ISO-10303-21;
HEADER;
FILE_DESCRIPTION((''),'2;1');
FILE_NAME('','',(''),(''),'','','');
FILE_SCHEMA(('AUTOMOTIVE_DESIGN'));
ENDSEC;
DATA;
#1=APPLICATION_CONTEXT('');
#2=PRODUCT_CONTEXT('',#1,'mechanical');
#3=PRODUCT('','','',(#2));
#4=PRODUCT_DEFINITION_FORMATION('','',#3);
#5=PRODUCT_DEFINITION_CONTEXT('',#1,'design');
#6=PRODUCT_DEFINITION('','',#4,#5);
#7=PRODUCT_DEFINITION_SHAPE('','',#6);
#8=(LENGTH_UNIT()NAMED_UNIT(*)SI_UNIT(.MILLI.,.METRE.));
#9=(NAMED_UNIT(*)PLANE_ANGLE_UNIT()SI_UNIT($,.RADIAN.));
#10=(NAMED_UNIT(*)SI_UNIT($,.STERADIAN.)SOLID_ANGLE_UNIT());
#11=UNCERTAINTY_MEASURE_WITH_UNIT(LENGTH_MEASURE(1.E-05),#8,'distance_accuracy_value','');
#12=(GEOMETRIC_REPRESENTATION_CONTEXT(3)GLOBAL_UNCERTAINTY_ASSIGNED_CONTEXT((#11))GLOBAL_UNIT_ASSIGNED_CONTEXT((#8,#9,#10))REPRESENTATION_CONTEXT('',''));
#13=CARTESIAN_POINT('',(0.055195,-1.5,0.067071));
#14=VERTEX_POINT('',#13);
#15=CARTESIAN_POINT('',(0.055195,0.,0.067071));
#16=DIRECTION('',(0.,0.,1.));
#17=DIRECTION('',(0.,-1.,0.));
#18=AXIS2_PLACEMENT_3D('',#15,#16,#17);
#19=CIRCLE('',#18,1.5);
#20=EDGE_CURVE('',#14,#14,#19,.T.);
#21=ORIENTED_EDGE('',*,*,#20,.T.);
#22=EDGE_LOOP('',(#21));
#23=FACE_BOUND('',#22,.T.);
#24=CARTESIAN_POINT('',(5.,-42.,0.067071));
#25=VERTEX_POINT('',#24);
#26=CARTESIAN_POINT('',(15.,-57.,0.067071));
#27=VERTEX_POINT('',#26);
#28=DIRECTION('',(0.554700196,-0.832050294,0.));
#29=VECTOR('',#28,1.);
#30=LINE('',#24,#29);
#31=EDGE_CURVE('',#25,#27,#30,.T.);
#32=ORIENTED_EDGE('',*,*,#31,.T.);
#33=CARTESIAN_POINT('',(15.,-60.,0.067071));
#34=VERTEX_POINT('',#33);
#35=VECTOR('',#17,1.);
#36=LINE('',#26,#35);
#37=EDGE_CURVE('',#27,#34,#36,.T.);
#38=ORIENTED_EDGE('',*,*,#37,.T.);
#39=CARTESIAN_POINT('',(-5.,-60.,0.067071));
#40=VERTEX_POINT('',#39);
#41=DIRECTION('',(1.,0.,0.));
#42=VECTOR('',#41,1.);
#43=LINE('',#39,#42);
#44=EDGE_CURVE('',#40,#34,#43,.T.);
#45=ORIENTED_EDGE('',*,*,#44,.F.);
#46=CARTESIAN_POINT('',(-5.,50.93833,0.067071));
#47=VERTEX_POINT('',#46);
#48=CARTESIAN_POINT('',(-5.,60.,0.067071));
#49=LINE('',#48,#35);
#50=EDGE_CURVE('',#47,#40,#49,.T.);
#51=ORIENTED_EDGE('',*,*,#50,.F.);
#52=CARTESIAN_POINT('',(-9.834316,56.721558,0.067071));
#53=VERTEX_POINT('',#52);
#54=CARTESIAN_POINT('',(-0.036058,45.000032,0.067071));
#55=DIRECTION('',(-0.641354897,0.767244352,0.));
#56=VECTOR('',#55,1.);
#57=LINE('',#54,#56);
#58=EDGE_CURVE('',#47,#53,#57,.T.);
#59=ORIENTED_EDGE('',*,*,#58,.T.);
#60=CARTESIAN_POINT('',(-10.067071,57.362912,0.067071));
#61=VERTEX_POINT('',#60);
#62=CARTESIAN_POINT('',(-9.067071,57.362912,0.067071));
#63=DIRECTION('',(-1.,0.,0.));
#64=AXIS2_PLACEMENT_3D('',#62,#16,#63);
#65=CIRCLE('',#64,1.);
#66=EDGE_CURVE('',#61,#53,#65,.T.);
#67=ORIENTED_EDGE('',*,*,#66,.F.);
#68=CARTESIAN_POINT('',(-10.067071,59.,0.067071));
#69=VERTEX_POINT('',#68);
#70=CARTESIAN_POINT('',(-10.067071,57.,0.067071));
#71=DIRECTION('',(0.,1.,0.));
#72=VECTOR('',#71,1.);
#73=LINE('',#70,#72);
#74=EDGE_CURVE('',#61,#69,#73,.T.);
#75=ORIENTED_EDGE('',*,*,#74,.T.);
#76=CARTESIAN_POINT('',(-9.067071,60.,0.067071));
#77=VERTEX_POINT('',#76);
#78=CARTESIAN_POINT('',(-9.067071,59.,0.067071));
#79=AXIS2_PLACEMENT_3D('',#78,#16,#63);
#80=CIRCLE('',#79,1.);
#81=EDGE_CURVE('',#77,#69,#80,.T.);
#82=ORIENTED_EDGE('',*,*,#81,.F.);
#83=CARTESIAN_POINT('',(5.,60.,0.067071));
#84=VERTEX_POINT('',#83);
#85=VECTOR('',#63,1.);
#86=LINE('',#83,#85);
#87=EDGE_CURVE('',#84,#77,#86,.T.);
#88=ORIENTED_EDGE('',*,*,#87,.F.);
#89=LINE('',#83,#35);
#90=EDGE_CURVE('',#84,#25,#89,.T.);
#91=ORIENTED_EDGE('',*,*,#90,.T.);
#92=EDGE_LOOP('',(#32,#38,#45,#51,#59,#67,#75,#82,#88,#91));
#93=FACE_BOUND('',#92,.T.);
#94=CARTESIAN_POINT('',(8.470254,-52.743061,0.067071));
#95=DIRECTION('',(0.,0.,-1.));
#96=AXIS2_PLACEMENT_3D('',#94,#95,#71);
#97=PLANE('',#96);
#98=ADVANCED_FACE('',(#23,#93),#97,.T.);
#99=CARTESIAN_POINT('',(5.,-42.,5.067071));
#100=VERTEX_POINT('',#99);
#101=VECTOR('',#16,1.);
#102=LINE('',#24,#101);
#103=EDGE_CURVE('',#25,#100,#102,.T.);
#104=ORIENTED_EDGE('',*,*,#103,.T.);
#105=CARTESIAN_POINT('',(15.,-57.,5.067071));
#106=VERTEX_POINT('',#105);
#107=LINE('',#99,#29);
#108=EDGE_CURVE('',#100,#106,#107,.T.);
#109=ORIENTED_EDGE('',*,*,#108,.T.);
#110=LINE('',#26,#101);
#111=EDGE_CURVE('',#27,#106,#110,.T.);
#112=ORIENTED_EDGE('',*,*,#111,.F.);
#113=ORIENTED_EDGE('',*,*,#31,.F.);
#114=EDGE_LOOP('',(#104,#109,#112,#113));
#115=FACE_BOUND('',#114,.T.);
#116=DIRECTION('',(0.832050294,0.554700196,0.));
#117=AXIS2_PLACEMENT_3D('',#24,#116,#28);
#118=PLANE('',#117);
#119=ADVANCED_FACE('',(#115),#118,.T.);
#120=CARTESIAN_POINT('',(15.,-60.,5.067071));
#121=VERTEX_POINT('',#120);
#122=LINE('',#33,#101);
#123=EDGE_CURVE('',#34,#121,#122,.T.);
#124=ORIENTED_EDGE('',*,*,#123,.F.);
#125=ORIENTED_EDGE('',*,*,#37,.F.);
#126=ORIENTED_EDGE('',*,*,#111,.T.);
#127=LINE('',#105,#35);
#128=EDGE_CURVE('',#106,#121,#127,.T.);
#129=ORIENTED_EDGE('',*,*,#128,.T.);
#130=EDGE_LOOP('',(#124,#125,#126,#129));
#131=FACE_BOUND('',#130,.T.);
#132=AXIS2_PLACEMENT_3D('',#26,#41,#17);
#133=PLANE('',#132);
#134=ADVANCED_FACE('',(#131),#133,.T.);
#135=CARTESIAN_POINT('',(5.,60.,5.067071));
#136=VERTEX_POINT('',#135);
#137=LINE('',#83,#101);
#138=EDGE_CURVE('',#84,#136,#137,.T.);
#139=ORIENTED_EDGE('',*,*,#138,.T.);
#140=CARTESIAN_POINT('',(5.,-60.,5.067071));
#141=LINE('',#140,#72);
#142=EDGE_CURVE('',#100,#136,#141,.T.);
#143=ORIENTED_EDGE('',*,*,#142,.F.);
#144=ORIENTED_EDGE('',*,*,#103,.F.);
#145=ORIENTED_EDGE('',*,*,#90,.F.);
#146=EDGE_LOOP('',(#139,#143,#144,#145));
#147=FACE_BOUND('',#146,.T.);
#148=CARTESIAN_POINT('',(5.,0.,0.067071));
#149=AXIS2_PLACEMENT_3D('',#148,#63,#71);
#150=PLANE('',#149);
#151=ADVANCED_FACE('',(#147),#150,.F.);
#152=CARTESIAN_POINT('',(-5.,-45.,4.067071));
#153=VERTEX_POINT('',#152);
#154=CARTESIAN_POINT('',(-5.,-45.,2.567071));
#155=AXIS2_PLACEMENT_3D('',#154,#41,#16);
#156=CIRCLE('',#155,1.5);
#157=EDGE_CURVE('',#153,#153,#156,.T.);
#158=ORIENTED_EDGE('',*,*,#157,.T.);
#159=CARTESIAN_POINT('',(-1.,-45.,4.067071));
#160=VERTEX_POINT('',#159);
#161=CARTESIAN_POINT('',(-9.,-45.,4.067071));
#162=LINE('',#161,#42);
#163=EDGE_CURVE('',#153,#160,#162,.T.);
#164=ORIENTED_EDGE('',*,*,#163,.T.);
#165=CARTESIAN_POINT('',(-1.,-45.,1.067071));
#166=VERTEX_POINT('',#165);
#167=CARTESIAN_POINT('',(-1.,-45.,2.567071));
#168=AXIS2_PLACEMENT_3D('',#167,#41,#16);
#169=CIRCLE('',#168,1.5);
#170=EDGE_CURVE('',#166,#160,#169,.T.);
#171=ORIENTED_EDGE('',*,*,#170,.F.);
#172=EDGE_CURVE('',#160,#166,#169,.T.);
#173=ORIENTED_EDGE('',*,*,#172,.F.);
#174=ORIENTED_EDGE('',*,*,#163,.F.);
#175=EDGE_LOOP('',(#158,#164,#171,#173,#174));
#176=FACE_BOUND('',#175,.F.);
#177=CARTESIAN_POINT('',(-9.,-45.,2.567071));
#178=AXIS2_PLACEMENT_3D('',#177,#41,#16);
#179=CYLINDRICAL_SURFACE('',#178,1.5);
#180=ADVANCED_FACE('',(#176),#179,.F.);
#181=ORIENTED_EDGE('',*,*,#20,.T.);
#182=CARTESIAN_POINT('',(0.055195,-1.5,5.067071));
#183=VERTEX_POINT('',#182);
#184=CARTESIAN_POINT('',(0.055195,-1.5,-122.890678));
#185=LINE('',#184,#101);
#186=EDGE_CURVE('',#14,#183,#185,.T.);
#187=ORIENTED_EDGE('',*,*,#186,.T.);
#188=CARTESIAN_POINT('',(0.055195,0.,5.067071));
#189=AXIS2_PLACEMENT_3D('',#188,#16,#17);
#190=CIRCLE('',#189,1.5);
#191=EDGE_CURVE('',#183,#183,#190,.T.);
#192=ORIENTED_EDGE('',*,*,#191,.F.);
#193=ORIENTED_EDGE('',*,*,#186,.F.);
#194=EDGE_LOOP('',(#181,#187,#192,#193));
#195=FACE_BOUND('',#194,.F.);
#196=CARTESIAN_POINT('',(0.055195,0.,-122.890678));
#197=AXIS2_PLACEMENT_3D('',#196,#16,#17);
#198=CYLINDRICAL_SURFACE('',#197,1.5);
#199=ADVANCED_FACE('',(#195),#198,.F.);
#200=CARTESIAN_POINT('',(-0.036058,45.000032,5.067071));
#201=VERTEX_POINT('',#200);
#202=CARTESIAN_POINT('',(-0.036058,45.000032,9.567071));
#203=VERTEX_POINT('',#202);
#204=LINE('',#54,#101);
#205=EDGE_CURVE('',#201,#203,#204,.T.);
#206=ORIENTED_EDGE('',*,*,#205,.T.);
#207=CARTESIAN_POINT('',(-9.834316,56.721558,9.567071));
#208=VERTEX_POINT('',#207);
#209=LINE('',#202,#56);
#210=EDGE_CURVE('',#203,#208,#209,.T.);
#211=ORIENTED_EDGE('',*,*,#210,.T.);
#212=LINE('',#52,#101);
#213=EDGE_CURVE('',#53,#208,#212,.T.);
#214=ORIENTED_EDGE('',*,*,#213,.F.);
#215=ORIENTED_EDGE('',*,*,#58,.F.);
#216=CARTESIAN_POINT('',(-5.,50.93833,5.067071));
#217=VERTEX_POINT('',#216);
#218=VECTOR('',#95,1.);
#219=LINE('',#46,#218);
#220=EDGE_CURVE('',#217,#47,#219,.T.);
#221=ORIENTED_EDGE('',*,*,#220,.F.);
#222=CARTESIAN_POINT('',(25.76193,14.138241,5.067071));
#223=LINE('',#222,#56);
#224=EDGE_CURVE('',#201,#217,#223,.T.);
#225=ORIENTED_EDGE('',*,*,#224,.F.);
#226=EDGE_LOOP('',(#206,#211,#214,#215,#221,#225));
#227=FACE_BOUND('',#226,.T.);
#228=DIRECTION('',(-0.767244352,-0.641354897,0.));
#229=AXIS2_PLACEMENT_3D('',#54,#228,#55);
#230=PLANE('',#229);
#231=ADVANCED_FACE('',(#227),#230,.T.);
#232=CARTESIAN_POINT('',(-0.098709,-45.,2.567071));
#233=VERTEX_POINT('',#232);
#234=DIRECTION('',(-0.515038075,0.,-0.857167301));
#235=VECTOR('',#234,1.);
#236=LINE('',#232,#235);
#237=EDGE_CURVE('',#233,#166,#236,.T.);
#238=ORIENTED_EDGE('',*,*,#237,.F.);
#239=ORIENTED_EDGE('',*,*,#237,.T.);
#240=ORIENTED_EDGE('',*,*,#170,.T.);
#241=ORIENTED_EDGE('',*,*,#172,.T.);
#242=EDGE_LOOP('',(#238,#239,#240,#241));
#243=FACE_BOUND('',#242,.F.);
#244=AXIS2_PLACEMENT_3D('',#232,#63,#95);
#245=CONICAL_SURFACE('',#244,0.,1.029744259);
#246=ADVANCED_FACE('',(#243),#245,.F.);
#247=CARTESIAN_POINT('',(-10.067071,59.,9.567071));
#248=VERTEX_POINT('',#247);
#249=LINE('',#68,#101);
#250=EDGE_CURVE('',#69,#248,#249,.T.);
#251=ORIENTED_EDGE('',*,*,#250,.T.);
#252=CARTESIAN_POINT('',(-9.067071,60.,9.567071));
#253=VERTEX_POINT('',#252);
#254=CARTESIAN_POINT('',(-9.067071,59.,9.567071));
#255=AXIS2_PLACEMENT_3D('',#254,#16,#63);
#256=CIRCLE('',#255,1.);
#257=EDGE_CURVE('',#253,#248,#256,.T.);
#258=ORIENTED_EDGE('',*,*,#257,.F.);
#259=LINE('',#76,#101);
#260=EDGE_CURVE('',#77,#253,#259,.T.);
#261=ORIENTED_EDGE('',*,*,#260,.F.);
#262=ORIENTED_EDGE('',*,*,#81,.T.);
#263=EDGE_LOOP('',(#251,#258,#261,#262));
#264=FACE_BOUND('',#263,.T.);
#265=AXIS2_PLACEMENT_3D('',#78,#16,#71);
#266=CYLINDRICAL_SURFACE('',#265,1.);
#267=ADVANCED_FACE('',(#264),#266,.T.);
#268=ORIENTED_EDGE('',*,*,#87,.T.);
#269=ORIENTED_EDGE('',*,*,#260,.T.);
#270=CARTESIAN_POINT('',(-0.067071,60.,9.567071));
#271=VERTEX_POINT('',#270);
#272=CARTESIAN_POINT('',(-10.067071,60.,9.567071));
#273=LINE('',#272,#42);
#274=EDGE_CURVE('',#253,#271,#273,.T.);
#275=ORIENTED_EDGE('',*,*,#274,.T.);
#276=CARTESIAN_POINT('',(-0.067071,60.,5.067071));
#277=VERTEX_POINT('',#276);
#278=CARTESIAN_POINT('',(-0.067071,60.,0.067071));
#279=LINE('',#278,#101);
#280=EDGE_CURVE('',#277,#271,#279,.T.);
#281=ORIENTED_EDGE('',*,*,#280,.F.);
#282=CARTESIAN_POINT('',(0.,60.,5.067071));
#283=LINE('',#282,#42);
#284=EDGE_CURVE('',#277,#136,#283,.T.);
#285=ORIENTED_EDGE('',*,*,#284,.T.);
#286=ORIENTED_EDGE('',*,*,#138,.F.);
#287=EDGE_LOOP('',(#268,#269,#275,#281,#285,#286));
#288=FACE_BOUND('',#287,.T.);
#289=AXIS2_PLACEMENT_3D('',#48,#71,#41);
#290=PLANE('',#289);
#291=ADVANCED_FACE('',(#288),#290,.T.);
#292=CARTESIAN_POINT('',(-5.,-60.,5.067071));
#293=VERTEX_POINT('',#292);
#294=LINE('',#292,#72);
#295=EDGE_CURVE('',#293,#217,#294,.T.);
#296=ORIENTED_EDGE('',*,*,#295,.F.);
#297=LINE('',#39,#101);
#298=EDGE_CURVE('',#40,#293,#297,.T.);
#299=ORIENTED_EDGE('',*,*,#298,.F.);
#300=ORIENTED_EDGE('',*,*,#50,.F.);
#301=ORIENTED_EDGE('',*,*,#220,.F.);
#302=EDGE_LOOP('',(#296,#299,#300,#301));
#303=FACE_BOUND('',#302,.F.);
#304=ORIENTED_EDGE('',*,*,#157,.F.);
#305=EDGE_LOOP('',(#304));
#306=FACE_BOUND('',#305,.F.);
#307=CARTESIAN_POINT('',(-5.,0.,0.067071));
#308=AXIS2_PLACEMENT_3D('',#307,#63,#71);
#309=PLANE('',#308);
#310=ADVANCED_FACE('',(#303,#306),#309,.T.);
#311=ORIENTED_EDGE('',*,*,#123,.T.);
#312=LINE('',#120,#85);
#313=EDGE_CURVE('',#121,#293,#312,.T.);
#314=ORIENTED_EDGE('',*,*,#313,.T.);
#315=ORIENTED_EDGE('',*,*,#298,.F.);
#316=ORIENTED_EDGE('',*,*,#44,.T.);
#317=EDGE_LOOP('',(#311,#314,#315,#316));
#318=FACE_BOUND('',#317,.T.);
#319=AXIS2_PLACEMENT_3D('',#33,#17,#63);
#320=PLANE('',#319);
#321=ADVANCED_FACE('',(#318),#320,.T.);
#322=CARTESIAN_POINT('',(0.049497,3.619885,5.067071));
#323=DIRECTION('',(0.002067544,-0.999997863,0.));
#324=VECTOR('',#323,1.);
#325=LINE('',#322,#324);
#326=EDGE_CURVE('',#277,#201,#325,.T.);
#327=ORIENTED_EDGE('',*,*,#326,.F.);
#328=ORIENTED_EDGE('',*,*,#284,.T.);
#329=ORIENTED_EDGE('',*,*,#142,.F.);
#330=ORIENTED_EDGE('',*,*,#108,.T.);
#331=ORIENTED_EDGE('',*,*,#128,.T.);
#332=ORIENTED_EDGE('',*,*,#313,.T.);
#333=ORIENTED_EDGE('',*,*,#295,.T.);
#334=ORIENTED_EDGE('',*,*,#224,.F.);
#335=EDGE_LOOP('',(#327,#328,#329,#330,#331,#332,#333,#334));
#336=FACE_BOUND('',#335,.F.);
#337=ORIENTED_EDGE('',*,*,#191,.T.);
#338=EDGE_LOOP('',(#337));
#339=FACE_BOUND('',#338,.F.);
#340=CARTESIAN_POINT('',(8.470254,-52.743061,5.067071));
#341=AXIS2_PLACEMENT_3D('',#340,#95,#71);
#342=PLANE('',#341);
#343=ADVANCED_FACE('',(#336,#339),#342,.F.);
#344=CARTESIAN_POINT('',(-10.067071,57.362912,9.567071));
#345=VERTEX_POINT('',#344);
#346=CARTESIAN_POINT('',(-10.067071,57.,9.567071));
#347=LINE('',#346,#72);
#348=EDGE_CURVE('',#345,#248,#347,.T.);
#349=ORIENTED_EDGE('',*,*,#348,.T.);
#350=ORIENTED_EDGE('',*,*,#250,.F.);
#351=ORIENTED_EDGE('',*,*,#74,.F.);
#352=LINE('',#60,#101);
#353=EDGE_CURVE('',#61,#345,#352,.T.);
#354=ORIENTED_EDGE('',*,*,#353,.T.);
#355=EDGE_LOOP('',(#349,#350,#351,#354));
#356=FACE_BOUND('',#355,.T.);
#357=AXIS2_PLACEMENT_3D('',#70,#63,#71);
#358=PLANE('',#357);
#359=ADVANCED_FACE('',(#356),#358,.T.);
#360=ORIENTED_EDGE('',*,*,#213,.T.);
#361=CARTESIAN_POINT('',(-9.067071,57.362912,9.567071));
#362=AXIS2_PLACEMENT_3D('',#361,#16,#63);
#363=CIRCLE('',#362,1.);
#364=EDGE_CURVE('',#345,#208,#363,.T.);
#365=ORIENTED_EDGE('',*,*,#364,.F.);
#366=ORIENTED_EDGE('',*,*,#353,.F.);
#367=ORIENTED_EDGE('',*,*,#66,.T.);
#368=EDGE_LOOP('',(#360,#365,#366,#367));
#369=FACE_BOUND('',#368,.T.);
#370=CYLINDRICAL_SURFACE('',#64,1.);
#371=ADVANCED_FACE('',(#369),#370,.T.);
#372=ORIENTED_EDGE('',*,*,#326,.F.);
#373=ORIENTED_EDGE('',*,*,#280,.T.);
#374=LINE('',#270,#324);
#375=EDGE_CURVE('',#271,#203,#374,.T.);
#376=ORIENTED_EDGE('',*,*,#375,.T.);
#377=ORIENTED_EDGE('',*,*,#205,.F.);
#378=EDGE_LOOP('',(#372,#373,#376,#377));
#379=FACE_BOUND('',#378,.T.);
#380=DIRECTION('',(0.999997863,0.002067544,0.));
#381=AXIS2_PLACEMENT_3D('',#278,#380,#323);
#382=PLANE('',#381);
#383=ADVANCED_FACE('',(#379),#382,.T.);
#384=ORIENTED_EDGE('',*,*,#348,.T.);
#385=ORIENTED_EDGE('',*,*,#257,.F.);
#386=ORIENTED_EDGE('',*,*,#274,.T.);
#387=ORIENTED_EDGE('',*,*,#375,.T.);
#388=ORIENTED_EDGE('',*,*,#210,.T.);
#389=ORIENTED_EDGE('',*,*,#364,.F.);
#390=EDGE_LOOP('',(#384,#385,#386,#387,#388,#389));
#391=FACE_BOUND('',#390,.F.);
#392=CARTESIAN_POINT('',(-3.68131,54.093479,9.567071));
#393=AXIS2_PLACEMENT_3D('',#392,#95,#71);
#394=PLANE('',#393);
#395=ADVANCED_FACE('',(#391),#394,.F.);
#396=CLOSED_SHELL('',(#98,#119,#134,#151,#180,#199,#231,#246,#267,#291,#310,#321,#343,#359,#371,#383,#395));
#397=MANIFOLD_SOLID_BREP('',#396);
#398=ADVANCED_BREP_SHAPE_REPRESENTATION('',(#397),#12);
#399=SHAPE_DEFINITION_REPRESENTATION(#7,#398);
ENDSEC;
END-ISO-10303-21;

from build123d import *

# Parameters (mm, degrees)
F0_W      = 60
F0_H      = 10
F1_DEPTH  = 5
F4_DEPTH  = 5
F6_DEPTH  = 9.5
F8_D      = 3
F9_R      = 1
F11_D     = 3
F11_DEPTH = 4
F11_TIP   = 0.9012909285
F12_ANGLE = 90


with BuildPart() as f1:
    # F0 (on Right) → F1 (new body)
    with BuildSketch(Plane.YZ):
        with Locations((30, 10.0670714118)):
            Rectangle(F0_W, F0_H)
    extrude(amount=-F1_DEPTH)

    # F2: F1 across plane


with BuildPart() as f1_1:
    add(f1.part)
    add(f1.part.mirror(Plane.XZ))

    # F3 (on Right) → F4 (join)
    with BuildSketch(Plane.YZ):
        Polygon((-60, 25.0670714118), (-60, 15.0670714118), (-42, 15.0670714118), (-57, 25.0670714118), align=None)
    extrude(amount=-F4_DEPTH)

    # F5 (on face) → F6 (join)
    with BuildSketch(Plane.YZ):
        Polygon((60, 10), (45.0000320606, 10.031013164), (57, 0), (60, 0), align=None)
    extrude(amount=-F6_DEPTH)

    # F8 (through all)
    with Locations(Plane.YZ):
        with Locations((0, 10.122266598)):
            Hole(F8_D / 2)

    # F9
    f9_edges = [f1_1.edges().sort_by_distance(p)[0] for p in [
        (-4.75, 57, 0),
        (-4.75, 60, 0),
    ]]
    fillet(f9_edges, radius=F9_R)

    # F11
    with Locations(Plane(origin=(0, 0, 5.0670714118), x_dir=(1, 0, 0), z_dir=(0, 0, -1))):
        with Locations((-2.5, 45)):
            Hole(F11_D / 2, depth=F11_DEPTH)
            with Locations((0, 0, -(F11_DEPTH + F11_TIP / 2))):  # 118° drill point
                Cone(0, F11_D / 2, F11_TIP, mode=Mode.SUBTRACT)


with BuildPart() as f1_2:
    # F12: moved
    add(f1_1.part.rotate(Axis((-5, -4.5308351456, 5.0670714118), (0, 1, 0)), F12_ANGLE))


solid = f1_2.part
